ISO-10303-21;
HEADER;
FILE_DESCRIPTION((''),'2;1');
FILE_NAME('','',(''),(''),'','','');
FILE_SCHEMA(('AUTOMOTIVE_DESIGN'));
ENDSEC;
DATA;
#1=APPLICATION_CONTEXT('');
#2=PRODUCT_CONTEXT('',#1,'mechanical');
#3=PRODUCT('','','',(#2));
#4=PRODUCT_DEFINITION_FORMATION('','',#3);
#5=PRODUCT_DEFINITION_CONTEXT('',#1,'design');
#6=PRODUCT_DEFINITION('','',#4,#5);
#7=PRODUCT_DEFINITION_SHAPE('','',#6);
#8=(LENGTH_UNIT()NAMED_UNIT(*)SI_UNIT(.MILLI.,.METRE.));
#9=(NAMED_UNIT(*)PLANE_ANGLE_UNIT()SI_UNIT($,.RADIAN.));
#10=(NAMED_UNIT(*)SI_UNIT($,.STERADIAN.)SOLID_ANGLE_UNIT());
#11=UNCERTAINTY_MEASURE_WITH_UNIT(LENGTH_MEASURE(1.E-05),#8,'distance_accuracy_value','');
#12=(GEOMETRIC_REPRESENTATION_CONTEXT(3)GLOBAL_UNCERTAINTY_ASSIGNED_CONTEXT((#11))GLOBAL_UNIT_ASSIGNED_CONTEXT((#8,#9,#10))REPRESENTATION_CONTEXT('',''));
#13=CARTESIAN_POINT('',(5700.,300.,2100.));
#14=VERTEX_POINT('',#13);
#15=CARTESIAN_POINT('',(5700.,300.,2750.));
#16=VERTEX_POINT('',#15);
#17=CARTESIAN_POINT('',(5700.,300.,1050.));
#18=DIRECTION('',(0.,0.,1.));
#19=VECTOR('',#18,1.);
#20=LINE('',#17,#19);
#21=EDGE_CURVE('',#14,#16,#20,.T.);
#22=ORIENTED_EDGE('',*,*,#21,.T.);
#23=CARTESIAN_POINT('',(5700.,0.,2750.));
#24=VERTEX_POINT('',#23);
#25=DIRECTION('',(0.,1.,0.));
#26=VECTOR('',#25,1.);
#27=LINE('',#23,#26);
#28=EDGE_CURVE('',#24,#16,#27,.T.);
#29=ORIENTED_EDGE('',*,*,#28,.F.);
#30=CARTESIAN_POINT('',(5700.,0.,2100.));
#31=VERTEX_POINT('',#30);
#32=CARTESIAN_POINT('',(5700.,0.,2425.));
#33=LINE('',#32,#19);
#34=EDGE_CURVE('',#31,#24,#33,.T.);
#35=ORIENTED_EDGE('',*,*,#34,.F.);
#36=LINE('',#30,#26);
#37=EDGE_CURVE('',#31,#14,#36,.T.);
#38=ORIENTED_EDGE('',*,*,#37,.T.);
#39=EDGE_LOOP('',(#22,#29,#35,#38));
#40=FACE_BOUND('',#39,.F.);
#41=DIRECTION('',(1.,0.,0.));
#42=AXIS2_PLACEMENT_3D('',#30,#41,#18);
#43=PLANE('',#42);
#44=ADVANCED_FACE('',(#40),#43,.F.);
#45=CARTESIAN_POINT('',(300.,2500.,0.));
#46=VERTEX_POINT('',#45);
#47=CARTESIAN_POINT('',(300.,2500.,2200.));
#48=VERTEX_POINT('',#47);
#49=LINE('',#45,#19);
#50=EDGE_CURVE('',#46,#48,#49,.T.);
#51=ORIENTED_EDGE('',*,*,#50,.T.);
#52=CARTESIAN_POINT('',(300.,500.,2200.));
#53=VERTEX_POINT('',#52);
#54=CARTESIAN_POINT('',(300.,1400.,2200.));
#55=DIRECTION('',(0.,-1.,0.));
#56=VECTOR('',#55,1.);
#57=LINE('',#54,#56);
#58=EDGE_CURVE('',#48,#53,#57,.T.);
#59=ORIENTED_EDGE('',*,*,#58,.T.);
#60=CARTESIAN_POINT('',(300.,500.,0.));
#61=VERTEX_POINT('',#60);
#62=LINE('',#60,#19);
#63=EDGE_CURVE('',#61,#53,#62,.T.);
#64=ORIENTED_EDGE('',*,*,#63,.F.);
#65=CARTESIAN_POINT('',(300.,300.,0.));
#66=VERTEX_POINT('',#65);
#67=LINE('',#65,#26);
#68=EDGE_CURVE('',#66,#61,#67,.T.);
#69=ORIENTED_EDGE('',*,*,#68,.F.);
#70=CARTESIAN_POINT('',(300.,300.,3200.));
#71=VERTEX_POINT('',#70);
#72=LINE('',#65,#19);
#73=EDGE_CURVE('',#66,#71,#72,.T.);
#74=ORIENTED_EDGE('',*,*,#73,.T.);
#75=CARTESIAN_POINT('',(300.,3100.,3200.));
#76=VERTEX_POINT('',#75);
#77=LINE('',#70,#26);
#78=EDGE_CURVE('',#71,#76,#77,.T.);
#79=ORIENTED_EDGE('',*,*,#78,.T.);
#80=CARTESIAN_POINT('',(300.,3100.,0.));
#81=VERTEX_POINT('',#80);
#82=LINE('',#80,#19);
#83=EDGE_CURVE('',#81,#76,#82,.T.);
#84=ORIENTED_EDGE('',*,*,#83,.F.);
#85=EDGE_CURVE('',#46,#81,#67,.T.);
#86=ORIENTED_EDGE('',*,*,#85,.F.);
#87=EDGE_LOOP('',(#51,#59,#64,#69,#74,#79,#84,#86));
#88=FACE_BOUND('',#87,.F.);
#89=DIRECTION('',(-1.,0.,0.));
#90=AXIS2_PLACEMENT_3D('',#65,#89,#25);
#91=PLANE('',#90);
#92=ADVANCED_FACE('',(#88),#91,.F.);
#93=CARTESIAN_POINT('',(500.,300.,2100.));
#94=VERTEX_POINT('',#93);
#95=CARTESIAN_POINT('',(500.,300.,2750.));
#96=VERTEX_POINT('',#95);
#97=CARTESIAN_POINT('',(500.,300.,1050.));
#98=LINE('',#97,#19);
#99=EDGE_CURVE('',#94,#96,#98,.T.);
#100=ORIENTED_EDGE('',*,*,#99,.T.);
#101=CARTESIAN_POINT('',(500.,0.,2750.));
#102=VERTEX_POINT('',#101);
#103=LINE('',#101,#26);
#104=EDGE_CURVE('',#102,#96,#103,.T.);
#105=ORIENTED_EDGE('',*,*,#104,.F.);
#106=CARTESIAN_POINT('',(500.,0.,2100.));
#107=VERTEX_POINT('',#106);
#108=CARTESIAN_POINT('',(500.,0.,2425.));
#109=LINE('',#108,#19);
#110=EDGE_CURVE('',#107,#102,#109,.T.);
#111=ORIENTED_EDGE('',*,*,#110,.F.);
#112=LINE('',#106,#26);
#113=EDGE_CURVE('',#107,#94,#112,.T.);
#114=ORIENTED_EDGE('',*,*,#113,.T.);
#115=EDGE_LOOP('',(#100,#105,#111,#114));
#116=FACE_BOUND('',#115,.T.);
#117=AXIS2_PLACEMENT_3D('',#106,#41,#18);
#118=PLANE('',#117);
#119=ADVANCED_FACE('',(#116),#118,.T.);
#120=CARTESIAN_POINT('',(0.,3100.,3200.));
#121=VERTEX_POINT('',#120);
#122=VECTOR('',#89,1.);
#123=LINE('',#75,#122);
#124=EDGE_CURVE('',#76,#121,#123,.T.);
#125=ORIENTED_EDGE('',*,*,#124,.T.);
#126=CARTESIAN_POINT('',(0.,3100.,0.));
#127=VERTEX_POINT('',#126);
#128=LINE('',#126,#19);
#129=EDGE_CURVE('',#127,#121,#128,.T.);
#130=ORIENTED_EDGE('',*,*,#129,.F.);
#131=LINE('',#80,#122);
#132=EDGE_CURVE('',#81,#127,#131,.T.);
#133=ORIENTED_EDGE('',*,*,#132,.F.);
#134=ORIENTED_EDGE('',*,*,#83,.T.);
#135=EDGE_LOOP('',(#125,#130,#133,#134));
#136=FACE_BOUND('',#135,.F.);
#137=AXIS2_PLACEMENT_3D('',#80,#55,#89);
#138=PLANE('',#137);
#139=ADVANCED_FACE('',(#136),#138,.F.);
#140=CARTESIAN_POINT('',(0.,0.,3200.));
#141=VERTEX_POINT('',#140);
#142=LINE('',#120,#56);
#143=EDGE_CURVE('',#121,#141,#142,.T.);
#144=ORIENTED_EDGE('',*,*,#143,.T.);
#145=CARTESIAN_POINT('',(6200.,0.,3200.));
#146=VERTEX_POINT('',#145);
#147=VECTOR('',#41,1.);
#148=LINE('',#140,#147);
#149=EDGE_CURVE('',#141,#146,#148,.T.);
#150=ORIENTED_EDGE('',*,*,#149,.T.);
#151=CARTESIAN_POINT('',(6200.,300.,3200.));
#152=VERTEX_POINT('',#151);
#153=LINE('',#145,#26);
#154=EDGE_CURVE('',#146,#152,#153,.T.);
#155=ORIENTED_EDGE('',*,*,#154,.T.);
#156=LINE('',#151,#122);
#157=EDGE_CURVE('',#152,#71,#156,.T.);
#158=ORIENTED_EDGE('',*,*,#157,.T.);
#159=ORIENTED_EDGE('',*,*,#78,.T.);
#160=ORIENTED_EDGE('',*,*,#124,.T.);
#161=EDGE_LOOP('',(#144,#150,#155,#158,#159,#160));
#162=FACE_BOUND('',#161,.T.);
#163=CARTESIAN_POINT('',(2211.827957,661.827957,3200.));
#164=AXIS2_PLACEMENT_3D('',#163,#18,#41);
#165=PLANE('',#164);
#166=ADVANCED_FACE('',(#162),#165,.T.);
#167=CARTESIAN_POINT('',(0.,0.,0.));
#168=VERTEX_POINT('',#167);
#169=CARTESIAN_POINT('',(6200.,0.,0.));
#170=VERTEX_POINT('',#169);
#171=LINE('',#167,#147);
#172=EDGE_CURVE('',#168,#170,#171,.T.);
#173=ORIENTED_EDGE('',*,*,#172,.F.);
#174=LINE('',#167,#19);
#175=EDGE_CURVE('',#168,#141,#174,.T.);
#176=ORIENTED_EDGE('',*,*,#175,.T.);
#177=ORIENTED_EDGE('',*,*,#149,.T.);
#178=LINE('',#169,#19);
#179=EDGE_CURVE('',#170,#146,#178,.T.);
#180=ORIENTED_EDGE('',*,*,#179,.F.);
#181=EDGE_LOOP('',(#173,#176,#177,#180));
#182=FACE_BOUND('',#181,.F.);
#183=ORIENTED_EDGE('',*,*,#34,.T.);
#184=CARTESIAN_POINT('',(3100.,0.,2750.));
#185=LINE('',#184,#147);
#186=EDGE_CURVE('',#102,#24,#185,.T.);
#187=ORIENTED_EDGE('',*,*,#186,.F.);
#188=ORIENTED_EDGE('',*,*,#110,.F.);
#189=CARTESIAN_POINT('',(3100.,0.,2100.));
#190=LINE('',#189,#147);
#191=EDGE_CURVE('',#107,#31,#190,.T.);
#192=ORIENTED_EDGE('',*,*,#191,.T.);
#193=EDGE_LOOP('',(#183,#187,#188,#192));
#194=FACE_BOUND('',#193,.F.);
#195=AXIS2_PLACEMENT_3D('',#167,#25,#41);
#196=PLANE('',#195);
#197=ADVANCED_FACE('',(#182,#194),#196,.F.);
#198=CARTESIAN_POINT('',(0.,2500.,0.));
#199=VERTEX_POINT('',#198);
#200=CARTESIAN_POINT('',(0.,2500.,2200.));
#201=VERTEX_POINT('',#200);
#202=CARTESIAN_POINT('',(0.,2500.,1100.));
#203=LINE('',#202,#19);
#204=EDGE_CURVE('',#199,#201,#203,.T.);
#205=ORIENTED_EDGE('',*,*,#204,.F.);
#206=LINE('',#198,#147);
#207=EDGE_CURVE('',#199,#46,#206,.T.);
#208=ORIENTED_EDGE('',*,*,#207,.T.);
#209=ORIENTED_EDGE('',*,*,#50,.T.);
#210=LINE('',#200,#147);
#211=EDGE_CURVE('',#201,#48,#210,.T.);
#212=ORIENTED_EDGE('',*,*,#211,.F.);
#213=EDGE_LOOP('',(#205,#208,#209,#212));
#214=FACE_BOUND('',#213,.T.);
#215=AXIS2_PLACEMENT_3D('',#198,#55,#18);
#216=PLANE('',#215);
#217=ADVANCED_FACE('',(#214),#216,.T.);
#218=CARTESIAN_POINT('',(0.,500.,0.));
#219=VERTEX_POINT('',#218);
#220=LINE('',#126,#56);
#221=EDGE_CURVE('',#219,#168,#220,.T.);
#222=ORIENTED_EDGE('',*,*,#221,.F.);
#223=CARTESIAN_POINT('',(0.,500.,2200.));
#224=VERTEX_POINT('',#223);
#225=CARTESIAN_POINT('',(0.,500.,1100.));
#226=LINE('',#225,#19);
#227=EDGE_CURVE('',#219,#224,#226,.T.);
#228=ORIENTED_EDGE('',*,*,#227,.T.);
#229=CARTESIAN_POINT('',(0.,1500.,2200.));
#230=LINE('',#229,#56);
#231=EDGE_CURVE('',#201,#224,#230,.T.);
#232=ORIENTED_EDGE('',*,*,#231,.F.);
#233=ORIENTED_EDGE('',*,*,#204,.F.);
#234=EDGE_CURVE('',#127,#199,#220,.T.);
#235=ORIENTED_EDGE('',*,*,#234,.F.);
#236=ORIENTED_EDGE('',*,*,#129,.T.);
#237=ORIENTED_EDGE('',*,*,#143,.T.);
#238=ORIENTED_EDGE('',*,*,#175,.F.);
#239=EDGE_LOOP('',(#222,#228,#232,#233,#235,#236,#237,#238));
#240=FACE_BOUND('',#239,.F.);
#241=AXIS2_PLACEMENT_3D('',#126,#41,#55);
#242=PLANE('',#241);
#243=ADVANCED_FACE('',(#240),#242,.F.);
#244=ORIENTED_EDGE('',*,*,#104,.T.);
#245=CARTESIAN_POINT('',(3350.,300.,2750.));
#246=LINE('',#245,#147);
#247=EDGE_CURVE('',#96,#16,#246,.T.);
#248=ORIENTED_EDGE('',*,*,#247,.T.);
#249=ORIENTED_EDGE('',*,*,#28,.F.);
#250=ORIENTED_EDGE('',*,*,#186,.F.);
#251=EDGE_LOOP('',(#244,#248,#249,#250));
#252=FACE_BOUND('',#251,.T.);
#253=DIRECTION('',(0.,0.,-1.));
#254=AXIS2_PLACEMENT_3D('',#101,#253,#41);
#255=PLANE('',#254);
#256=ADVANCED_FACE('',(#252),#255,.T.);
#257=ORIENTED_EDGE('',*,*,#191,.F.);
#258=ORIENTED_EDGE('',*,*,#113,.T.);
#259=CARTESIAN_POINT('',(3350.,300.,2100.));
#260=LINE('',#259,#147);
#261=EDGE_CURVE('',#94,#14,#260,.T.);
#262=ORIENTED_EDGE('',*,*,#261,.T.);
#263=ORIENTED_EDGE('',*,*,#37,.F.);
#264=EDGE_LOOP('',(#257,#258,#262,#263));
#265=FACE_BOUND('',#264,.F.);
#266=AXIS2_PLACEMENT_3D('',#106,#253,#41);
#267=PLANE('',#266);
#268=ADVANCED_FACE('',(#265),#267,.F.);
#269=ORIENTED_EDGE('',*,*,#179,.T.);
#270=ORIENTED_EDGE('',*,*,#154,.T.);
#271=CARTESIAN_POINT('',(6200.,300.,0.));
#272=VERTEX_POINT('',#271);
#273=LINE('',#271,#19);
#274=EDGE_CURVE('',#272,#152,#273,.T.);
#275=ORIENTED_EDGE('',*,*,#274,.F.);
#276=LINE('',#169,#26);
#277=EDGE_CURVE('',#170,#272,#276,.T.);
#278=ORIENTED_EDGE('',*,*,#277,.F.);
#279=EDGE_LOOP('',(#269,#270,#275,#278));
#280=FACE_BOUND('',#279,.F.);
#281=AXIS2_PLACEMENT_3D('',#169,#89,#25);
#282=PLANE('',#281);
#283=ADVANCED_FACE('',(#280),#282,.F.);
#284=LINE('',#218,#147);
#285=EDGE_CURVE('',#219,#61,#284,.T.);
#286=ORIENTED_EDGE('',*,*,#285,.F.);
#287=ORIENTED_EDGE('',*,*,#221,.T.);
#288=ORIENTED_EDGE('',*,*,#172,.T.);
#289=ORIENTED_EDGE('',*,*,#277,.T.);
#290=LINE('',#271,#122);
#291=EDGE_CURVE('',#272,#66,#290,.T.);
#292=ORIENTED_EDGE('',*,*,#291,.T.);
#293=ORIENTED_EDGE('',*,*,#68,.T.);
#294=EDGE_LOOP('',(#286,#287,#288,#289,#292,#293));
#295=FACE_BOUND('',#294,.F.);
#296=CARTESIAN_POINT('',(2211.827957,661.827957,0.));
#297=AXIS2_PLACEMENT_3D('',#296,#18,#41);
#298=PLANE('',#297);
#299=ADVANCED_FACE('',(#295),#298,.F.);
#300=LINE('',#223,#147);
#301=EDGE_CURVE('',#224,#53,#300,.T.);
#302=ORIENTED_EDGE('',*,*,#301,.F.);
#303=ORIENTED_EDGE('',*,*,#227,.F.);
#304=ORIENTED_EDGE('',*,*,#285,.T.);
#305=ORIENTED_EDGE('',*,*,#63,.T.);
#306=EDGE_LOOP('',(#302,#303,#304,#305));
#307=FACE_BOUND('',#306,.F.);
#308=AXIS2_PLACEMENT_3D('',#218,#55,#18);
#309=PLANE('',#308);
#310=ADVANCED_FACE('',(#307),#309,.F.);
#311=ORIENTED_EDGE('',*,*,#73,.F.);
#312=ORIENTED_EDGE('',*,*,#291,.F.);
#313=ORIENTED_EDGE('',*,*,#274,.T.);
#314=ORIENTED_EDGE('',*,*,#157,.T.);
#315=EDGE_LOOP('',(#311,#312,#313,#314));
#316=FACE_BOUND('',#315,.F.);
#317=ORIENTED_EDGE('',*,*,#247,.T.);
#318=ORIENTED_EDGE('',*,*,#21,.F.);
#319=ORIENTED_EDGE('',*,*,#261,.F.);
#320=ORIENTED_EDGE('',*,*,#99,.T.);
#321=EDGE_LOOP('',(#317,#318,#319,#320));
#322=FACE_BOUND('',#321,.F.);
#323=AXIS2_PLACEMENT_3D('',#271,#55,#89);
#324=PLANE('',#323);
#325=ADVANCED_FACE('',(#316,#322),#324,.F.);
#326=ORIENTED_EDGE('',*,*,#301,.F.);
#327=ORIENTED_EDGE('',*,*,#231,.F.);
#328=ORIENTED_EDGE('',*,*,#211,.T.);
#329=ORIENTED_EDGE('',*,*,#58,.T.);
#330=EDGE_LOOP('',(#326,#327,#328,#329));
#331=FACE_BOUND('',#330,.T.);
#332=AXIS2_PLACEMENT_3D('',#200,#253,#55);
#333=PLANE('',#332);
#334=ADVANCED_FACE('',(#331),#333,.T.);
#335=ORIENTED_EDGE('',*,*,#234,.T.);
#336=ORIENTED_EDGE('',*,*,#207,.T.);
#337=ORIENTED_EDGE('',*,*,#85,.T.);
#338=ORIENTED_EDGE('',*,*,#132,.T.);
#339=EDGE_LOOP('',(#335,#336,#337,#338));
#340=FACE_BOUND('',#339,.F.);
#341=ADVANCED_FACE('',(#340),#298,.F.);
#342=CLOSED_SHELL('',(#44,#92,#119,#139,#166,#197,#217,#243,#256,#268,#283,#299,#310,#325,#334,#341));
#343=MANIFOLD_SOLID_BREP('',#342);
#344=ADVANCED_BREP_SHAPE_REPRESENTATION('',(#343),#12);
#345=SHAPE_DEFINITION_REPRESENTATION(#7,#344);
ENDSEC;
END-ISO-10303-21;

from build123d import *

# Parameters (mm, degrees)
F1_DEPTH = 3200
F2_W     = 2000
F2_H     = 2200
F3_DEPTH = 1000
F4_W     = 5200
F4_H     = 650
F5_DEPTH = 1000


with BuildPart() as f1:
    # F0 (on Top) → F1 (new body)
    with BuildSketch(Plane.XY):
        Polygon((0, 0), (6200, 0), (6200, 300), (300, 300), (300, 3100), (0, 3100), align=None)
    extrude(amount=F1_DEPTH)

    # F2 (on face) → F3 (cut)
    with BuildSketch(Plane(origin=(0, 0, 0), x_dir=(0, -1, 0), z_dir=(-1, 0, 0))):
        with Locations((-1500, 1100)):
            Rectangle(F2_W, F2_H)
    extrude(amount=-F3_DEPTH, mode=Mode.SUBTRACT)

    # F4 (on face) → F5 (cut)
    with BuildSketch(Plane.XZ):
        with Locations((3100, 2425)):
            Rectangle(F4_W, F4_H)
    extrude(amount=-F5_DEPTH, mode=Mode.SUBTRACT)


solid = f1.part
